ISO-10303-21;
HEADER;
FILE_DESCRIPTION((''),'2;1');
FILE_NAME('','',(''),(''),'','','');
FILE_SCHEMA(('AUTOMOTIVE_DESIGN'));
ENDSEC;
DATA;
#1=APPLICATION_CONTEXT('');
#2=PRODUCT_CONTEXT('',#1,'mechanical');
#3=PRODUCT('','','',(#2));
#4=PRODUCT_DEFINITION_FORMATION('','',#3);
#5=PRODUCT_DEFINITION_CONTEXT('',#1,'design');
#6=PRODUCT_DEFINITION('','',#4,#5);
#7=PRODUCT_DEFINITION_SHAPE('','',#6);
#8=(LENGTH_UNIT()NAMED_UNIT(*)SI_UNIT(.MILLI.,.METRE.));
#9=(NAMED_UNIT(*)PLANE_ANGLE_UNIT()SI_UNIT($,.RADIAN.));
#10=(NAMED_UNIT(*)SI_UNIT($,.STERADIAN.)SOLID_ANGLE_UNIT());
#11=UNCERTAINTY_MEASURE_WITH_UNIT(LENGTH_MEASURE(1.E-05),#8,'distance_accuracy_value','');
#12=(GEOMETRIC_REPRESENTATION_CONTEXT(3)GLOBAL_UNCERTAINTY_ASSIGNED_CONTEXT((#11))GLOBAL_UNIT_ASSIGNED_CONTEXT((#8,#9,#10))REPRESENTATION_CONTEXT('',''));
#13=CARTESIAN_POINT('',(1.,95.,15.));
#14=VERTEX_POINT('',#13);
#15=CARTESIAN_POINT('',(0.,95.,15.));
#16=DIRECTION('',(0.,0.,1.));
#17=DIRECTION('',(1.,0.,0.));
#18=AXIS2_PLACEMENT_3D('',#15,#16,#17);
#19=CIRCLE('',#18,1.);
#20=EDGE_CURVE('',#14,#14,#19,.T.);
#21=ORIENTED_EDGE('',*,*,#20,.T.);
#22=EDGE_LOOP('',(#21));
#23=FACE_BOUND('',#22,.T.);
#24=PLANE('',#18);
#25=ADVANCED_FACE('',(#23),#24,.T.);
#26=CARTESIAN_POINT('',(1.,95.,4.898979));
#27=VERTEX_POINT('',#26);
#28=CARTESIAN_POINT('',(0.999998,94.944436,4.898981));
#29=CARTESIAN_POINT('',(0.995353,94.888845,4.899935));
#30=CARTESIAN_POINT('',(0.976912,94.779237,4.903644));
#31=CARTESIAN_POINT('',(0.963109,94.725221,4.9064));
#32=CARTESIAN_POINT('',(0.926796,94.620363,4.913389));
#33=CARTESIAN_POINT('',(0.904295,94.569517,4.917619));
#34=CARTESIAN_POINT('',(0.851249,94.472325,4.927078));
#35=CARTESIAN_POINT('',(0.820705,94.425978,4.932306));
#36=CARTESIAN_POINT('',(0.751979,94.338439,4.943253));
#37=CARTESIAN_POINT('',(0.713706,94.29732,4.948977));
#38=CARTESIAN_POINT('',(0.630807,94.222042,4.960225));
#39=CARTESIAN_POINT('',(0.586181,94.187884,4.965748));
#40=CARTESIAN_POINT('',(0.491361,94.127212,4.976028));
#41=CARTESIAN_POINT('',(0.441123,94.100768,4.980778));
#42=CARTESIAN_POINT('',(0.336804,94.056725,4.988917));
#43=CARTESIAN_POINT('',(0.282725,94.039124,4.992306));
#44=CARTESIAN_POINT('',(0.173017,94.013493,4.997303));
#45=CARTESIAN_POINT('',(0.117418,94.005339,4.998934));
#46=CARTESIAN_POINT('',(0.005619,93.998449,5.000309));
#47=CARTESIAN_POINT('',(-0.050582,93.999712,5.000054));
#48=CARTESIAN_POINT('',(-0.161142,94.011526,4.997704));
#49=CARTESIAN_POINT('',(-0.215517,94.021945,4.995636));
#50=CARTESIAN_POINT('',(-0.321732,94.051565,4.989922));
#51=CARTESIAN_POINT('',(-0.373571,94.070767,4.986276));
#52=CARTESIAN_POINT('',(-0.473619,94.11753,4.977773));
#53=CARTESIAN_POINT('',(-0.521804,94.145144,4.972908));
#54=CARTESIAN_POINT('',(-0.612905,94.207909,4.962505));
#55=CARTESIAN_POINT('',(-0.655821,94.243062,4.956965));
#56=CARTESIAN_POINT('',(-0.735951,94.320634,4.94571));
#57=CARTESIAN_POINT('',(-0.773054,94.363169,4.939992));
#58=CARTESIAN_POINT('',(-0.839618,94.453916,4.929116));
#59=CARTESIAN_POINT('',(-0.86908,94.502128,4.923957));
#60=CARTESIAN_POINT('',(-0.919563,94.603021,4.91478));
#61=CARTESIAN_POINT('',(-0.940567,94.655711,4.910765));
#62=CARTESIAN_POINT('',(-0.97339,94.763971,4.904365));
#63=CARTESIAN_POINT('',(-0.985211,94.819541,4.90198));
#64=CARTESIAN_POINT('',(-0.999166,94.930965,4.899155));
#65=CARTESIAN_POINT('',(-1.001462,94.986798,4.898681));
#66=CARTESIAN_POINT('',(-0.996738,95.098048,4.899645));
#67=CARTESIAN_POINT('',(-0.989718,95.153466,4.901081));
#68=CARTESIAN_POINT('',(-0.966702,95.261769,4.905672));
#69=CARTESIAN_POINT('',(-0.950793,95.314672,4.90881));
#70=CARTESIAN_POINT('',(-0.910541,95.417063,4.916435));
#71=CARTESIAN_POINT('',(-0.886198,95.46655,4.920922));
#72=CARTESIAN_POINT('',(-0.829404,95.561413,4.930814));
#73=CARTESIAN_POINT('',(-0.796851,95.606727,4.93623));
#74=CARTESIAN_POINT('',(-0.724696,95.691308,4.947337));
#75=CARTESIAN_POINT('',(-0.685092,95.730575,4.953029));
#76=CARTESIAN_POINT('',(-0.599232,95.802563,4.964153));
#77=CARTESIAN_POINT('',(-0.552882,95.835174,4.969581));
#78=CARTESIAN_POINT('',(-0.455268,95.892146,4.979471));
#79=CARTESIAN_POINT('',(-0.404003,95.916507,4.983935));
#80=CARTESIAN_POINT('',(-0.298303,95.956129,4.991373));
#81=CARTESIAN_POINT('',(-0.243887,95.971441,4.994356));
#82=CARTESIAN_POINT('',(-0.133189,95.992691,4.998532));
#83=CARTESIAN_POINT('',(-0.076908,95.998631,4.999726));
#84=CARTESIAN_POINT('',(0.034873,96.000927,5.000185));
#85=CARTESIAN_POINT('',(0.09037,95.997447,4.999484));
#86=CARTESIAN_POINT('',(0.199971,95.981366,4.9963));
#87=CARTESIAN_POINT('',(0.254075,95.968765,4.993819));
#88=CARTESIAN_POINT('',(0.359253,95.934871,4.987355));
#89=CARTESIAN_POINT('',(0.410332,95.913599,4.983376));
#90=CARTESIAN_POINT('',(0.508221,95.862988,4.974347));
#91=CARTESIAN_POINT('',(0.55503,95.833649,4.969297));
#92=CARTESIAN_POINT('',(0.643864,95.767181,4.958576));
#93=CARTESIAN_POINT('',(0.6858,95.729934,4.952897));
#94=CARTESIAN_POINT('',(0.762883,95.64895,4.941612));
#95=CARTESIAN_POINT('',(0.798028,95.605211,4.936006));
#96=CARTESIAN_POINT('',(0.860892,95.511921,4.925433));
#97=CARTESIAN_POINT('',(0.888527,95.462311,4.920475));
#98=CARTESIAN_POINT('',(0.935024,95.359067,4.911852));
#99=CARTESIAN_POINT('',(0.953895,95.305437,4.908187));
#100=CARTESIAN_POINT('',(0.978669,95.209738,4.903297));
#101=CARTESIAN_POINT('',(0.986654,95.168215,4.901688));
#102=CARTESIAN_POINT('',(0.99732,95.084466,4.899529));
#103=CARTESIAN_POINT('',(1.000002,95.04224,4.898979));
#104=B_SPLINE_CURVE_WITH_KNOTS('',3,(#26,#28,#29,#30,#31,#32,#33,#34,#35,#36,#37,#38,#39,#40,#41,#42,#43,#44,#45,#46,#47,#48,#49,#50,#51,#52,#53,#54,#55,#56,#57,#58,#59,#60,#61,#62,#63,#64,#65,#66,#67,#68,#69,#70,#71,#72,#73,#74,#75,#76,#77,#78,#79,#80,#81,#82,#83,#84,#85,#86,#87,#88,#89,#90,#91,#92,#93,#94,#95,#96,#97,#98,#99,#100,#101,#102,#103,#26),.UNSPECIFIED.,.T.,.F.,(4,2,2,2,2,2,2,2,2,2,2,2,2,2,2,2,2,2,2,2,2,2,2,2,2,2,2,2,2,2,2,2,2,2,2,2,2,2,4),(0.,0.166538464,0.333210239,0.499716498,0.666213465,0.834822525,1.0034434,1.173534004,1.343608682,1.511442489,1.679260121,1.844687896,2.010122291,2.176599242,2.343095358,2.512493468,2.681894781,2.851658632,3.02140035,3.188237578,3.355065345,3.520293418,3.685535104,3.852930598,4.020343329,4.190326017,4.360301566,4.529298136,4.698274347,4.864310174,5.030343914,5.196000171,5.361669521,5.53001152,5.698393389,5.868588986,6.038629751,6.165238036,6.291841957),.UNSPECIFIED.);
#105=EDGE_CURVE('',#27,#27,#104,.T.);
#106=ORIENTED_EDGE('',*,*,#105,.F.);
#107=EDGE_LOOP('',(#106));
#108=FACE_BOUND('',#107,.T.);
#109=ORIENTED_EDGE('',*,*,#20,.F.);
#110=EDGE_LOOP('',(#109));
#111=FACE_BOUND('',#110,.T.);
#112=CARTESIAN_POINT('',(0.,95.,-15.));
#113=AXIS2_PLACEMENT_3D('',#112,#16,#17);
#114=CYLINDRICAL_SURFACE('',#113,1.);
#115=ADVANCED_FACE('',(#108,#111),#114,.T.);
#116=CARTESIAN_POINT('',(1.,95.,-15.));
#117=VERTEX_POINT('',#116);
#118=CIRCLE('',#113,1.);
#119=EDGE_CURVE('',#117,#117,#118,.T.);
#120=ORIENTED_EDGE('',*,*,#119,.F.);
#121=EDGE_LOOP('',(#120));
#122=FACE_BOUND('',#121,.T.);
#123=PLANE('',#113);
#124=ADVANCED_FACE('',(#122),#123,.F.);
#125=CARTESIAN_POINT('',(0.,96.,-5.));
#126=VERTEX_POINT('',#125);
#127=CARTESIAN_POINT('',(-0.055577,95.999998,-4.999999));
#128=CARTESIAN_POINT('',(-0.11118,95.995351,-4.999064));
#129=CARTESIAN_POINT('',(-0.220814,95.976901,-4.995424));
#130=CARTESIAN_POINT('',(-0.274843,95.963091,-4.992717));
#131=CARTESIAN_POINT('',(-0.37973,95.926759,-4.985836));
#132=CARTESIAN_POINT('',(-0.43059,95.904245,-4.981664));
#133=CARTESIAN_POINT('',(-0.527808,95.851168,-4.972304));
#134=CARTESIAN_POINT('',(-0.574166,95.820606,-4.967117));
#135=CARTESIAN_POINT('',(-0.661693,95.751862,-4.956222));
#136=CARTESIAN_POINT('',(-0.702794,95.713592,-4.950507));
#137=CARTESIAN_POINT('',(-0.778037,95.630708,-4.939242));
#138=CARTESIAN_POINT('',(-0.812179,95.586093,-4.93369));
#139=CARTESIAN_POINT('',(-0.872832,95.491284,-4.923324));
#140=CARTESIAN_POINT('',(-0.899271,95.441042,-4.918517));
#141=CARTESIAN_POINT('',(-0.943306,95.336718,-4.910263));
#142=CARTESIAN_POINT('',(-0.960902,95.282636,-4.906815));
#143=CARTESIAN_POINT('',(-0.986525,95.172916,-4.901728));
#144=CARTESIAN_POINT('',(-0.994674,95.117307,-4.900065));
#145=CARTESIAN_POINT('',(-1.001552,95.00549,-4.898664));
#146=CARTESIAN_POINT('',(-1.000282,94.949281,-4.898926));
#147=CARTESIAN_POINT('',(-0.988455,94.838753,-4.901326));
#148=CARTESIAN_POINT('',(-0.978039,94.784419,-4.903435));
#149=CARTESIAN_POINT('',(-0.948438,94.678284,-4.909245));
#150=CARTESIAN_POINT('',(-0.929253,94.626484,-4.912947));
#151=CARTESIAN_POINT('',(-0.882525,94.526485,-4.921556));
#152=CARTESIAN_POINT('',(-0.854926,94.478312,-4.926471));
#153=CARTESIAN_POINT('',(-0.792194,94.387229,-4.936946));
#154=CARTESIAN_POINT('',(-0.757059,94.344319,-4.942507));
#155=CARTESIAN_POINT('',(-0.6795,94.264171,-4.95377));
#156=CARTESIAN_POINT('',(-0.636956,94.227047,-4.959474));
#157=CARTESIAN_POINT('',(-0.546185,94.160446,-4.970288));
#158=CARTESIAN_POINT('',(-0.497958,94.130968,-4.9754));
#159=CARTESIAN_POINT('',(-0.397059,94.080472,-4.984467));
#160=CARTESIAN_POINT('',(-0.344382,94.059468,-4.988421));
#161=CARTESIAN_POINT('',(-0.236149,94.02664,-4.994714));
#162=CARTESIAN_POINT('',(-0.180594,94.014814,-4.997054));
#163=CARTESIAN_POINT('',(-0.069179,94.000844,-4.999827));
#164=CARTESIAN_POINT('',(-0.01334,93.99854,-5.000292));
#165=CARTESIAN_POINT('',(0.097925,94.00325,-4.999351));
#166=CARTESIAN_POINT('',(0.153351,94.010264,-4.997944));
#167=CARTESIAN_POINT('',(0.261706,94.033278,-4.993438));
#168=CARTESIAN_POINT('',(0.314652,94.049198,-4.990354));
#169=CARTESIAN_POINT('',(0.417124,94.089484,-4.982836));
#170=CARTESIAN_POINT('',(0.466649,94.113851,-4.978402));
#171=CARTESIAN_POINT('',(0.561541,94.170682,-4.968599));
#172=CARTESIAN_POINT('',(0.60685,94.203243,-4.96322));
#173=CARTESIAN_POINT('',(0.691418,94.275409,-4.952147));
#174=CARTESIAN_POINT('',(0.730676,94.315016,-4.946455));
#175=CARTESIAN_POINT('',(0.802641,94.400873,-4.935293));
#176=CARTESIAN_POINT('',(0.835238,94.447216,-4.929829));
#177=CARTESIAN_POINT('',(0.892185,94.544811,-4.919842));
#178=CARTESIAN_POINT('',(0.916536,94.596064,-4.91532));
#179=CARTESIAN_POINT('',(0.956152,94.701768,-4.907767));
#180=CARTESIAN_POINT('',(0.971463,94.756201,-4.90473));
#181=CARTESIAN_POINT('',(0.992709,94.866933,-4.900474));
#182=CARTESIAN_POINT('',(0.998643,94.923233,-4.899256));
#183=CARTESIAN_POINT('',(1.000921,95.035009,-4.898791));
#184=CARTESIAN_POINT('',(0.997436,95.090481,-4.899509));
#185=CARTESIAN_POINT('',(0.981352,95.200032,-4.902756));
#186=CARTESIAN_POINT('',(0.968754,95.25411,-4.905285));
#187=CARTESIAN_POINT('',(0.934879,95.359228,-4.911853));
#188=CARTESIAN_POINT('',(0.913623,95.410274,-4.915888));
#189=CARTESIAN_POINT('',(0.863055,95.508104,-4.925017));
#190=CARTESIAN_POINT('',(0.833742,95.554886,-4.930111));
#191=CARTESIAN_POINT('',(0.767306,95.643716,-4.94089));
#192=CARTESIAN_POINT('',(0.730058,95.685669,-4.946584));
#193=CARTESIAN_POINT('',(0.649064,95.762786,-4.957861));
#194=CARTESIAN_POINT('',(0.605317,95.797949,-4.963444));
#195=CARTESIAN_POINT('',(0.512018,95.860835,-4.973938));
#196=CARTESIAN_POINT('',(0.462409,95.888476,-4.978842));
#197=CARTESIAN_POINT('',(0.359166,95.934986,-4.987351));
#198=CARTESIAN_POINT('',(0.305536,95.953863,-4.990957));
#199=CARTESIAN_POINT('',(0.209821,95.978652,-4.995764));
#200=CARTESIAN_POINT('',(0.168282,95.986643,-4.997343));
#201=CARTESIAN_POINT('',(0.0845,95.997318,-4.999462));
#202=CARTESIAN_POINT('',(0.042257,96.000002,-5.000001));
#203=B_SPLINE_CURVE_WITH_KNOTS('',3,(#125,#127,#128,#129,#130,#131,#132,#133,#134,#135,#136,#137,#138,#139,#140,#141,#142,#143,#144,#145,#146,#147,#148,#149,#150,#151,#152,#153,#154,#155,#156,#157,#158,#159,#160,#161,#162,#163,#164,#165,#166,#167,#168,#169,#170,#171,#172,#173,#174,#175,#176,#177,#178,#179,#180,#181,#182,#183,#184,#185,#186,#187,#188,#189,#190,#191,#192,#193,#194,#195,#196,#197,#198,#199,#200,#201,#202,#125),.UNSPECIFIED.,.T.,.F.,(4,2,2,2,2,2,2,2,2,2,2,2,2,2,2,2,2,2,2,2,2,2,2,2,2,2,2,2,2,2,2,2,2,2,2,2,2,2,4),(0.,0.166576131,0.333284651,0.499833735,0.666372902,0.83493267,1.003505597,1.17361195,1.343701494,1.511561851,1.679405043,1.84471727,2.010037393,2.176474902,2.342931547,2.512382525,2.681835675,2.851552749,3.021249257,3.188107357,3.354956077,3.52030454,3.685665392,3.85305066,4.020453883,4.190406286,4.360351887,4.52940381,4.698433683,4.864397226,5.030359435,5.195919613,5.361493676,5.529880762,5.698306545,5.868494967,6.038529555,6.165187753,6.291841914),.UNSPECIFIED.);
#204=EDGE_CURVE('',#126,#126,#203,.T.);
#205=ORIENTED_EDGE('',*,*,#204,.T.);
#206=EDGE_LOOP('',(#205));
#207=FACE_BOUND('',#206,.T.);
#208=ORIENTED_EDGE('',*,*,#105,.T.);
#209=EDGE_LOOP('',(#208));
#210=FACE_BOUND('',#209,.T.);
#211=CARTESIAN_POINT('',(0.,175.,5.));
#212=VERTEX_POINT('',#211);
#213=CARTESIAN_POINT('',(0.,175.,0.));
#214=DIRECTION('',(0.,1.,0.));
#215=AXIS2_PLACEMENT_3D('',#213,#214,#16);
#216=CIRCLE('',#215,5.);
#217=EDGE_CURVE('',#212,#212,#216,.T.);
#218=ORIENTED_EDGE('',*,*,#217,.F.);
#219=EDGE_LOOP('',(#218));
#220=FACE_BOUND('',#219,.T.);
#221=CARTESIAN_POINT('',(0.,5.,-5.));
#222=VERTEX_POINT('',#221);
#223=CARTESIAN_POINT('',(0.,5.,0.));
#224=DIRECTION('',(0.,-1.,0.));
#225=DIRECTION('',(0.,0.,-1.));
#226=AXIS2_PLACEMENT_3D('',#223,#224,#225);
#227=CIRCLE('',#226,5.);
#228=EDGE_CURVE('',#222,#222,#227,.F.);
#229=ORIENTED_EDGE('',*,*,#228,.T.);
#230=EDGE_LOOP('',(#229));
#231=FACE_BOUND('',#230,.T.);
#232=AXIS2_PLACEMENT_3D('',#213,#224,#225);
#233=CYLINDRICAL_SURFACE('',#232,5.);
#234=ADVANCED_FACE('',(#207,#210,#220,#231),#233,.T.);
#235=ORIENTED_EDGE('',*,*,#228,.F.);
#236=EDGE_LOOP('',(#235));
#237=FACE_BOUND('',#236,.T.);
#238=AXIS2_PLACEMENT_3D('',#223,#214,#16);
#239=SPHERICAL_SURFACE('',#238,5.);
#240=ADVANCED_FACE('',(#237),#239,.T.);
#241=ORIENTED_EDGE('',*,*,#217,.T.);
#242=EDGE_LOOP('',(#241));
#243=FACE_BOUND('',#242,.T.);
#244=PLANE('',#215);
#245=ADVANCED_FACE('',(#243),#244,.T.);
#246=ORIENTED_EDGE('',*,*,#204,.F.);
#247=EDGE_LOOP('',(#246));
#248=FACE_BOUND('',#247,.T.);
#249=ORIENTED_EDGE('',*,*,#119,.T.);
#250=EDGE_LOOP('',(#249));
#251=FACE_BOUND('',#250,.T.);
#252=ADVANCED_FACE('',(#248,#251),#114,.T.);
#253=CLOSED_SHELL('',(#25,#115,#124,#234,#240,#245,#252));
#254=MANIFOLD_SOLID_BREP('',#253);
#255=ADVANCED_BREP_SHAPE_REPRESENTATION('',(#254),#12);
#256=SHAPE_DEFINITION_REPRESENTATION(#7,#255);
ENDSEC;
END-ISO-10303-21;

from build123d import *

# Parameters (mm, degrees)
SZKIC2_R                         = 5
DODANIE_WYCI_GNI_CIE1_DEPTH      = 175
DODANIE_WYCI_GNI_CIE2_DEPTH      = 15
DODANIE_WYCI_GNI_CIE2_DEPTH_BACK = 15
SZKIC3_R                         = 1
ZAOKR_GLENIE1_R                  = 5


with BuildPart() as part:
    # Szkic2 → Dodanie-wyciągnięcie1 (new body)
    with BuildSketch(Plane(origin=(0, 0, 0), x_dir=(1, 0, 0), z_dir=(0, 1, 0))):
        Circle(SZKIC2_R)
    extrude(amount=DODANIE_WYCI_GNI_CIE1_DEPTH)

    # Szkic3 → Dodanie-wyciągnięcie2 (add, two sides: drawn at the far end of the back side and taken through both)
    with BuildSketch(Plane.XY.offset(-DODANIE_WYCI_GNI_CIE2_DEPTH_BACK)):
        with Locations((0, 95)):
            Circle(SZKIC3_R)
    extrude(amount=DODANIE_WYCI_GNI_CIE2_DEPTH + DODANIE_WYCI_GNI_CIE2_DEPTH_BACK)

    # Zaokrąglenie1
    zaokr_glenie1_edges = [part.edges().sort_by_distance(p)[0] for p in [
        (-5, 0, 0),
    ]]
    fillet(zaokr_glenie1_edges, radius=ZAOKR_GLENIE1_R)


solid = part.part
